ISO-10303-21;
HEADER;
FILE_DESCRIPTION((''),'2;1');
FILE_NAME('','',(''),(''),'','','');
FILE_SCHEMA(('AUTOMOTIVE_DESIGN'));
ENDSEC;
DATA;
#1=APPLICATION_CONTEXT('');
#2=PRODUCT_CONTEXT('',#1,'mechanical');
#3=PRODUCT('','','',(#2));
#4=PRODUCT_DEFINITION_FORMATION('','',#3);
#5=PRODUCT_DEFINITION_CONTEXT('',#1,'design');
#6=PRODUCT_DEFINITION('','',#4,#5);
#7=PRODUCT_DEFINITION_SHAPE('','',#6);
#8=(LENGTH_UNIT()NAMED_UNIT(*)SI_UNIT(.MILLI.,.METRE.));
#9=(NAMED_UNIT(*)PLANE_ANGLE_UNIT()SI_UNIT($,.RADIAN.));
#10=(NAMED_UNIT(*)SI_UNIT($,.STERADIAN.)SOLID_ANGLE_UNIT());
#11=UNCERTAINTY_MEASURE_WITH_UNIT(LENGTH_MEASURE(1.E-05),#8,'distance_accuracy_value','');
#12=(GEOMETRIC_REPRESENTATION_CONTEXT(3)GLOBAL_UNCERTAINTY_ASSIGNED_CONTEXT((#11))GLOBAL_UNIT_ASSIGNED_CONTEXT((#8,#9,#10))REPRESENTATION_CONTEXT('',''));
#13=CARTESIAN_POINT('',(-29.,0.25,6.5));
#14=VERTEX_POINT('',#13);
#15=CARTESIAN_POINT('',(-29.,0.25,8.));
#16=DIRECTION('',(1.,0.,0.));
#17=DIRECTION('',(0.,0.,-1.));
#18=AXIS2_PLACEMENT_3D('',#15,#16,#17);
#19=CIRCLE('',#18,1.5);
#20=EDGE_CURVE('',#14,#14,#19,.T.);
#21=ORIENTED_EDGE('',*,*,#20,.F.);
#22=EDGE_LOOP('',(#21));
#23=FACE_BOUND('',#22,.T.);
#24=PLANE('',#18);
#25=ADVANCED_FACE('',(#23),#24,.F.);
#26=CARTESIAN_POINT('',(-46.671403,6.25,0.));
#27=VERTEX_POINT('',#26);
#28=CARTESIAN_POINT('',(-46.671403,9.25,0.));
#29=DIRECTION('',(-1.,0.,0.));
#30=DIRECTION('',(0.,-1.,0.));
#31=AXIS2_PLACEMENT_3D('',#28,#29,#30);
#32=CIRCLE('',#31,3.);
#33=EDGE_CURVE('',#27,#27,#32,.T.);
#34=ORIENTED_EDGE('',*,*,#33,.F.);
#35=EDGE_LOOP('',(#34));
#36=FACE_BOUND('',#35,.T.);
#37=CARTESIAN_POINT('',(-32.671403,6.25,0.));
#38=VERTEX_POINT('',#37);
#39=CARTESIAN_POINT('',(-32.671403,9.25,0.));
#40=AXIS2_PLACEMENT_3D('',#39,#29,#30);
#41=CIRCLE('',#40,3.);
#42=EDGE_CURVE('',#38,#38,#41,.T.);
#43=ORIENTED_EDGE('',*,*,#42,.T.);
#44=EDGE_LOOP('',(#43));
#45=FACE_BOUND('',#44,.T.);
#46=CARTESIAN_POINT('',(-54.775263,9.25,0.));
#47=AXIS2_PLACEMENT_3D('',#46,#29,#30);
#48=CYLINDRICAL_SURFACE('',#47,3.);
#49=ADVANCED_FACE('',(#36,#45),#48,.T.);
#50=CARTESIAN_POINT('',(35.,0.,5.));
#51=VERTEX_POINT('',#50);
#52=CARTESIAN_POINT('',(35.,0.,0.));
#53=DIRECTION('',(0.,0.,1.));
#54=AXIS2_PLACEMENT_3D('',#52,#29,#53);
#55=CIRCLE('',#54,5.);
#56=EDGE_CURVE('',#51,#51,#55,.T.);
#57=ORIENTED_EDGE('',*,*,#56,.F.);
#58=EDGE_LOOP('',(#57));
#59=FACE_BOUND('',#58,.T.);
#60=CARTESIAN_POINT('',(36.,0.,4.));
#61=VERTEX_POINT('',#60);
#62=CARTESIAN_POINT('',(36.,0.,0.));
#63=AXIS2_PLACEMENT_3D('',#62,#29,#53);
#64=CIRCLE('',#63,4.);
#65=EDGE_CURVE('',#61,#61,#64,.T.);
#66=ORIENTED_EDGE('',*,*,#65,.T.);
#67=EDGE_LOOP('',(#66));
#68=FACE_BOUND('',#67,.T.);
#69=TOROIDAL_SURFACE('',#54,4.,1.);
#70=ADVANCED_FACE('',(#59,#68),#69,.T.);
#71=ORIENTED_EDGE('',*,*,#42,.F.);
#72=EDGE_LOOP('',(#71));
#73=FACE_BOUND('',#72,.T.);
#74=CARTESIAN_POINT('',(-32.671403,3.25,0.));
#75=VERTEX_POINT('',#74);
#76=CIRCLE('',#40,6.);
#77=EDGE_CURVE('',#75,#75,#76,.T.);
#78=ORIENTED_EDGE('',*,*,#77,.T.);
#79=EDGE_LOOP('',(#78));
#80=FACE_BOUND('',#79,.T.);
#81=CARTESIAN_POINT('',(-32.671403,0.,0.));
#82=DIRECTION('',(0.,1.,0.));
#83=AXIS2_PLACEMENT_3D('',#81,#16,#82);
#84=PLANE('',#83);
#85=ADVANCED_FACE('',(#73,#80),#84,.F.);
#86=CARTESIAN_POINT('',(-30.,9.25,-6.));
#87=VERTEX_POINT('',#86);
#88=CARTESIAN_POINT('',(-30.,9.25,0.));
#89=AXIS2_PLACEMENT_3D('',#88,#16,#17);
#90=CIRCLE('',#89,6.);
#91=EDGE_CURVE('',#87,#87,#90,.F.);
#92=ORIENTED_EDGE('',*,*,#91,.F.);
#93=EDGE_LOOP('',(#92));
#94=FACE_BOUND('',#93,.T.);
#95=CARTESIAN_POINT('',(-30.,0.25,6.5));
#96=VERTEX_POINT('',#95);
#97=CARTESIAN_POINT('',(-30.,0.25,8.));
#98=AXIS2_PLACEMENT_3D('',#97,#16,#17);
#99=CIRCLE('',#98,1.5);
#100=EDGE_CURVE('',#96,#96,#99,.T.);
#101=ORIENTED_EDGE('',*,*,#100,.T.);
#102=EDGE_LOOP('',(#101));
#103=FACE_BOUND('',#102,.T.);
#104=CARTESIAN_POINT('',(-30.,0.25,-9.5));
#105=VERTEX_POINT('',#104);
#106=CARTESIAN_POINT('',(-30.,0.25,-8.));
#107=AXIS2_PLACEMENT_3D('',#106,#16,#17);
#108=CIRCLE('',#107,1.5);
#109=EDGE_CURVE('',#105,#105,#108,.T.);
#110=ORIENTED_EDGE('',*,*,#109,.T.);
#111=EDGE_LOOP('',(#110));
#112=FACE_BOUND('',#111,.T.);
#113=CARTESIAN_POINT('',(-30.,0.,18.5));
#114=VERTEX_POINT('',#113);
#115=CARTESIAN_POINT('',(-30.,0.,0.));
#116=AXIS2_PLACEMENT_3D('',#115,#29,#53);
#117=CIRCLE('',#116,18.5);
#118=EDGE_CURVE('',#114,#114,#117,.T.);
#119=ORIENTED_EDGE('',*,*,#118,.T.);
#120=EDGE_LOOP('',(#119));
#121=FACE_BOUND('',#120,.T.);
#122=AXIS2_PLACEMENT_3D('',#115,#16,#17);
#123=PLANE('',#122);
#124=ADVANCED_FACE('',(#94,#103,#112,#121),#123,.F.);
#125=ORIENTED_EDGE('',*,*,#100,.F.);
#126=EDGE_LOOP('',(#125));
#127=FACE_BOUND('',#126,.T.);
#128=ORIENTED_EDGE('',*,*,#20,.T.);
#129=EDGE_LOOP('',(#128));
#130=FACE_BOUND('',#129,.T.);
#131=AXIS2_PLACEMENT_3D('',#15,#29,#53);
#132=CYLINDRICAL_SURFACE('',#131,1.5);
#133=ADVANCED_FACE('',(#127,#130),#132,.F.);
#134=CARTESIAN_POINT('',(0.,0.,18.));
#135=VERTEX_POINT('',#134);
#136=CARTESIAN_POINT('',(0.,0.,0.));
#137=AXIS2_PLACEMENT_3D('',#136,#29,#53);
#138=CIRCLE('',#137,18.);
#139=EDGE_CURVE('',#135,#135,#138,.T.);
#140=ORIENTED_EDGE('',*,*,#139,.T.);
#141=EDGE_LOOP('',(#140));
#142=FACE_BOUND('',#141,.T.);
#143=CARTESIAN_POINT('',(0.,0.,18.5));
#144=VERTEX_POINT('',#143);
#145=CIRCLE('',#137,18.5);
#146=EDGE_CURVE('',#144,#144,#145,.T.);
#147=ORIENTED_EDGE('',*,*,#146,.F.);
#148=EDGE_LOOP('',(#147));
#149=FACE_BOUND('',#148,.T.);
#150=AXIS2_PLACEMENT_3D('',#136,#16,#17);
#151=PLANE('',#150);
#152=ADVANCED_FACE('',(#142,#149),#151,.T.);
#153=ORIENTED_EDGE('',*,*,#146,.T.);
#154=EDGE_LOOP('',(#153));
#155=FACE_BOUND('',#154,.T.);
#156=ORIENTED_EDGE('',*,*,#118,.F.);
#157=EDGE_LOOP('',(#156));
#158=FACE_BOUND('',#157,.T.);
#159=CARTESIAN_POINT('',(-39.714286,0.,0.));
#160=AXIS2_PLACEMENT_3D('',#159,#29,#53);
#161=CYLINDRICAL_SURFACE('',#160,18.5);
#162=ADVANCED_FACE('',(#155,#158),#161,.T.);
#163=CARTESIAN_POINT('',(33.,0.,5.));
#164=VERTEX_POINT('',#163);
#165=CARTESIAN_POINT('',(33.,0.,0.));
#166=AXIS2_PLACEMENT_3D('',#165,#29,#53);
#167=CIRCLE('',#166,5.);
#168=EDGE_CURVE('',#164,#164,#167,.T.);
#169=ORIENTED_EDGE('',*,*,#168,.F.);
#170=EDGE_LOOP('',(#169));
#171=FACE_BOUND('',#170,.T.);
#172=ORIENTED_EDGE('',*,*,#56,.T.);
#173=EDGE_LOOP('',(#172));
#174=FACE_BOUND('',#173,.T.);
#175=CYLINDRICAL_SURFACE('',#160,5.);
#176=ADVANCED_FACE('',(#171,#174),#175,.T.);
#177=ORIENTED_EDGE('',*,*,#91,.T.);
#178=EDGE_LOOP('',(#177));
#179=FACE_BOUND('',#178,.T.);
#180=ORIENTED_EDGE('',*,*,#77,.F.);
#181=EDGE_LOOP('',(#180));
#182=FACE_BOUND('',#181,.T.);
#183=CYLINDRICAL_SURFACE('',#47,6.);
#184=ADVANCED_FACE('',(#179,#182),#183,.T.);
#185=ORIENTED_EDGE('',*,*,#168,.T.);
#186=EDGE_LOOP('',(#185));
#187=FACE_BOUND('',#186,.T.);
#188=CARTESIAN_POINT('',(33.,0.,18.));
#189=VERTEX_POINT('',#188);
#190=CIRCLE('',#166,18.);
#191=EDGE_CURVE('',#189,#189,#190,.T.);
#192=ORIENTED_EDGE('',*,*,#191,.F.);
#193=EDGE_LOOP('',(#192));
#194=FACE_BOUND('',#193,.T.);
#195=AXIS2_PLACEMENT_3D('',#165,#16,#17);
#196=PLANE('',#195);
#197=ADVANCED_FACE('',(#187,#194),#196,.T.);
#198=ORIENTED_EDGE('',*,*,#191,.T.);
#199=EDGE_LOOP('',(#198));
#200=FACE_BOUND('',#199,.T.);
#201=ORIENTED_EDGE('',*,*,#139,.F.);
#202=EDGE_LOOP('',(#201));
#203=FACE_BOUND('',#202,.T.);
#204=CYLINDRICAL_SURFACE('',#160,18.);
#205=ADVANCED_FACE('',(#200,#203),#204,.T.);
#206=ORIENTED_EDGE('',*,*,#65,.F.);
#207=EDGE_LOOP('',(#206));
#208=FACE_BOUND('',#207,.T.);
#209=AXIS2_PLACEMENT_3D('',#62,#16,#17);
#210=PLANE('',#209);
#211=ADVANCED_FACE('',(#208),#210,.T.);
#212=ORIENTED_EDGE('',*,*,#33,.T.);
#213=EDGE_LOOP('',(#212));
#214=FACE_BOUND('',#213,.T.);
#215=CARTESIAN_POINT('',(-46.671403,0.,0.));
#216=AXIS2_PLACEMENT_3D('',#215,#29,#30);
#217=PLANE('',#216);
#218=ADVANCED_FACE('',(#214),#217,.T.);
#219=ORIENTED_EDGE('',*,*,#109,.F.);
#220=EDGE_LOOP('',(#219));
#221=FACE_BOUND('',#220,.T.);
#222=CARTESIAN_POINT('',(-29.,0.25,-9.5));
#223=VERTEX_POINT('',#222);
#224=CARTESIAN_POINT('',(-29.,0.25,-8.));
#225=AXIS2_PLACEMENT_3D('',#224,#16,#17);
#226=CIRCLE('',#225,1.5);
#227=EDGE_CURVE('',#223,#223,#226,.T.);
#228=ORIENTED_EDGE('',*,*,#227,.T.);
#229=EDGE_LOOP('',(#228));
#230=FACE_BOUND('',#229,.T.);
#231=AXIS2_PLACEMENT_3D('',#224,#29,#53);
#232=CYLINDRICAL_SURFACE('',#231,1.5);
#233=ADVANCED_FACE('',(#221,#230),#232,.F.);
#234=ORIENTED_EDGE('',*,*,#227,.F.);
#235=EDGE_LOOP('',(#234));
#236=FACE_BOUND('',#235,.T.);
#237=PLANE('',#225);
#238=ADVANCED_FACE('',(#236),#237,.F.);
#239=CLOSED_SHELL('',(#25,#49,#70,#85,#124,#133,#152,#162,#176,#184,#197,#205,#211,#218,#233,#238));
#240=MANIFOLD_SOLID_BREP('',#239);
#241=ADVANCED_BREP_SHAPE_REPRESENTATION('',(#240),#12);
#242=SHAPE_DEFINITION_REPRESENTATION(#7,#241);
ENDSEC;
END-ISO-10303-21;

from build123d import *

# Parameters (mm, degrees)
SKETCH_1_W          = 33
SKETCH_1_H          = 18
SKETCH_2_W          = 14
SKETCH_2_H          = 3
SKETCH_2_W_2        = 2.671402587
SKETCH_2_H_2        = 6
CUT_EXTRUDE_START   = -30
SKETCH_4_R          = 1.5
CUT_EXTRUDE_1_DEPTH = 1


with BuildPart() as part:
    # 草图1 → 旋转1 (revolve)
    with BuildSketch(Plane.XY, mode=Mode.PRIVATE) as revolve_1_sk:
        Polygon((0, 18.5), (0, 18), (0, 0), (-30, 0), (-30, 18.5), align=None)
        with Locations((16.5, 9)):
            Rectangle(SKETCH_1_W, SKETCH_1_H)
        with BuildLine():
            Line((33, 5), (33, 0))
            Line((33, 0), (36, 0))
            Line((36, 0), (36, 4))
            ThreePointArc((36, 4), (35.707106781, 4.707106781), (35, 5))
            Line((35, 5), (33, 5))
        make_face()
    revolve(revolve_1_sk.sketch.rotate(Axis((-39.714285714, 0, 0), (1, 0, 0)), 90), axis=Axis((-39.714285714, 0, 0), (1, 0, 0)))

    # 草图2 → 旋转3 (revolve)
    with BuildSketch(Plane.XY, mode=Mode.PRIVATE) as revolve_3_sk:
        with Locations((-39.671402587, 10.75)):
            Rectangle(SKETCH_2_W, SKETCH_2_H)
        with Locations((-31.335701294, 12.25)):
            Rectangle(SKETCH_2_W_2, SKETCH_2_H_2)
    revolve(revolve_3_sk.sketch.rotate(Axis((-54.775263054, 9.25, 0), (1, 0, 0)), 180), axis=Axis((-54.775263054, 9.25, 0), (1, 0, 0)))

    # 草图4 → 切除-拉伸1 (cut)
    with BuildSketch(Plane(origin=(0, 0, 0), x_dir=(0, 0, -1), z_dir=(1, 0, 0)).offset(CUT_EXTRUDE_START)):
        with Locations((8, 0.25)):
            Circle(SKETCH_4_R)
        with Locations((-8, 0.25)):
            Circle(SKETCH_4_R)
    extrude(amount=CUT_EXTRUDE_1_DEPTH, mode=Mode.SUBTRACT)


solid = part.part
